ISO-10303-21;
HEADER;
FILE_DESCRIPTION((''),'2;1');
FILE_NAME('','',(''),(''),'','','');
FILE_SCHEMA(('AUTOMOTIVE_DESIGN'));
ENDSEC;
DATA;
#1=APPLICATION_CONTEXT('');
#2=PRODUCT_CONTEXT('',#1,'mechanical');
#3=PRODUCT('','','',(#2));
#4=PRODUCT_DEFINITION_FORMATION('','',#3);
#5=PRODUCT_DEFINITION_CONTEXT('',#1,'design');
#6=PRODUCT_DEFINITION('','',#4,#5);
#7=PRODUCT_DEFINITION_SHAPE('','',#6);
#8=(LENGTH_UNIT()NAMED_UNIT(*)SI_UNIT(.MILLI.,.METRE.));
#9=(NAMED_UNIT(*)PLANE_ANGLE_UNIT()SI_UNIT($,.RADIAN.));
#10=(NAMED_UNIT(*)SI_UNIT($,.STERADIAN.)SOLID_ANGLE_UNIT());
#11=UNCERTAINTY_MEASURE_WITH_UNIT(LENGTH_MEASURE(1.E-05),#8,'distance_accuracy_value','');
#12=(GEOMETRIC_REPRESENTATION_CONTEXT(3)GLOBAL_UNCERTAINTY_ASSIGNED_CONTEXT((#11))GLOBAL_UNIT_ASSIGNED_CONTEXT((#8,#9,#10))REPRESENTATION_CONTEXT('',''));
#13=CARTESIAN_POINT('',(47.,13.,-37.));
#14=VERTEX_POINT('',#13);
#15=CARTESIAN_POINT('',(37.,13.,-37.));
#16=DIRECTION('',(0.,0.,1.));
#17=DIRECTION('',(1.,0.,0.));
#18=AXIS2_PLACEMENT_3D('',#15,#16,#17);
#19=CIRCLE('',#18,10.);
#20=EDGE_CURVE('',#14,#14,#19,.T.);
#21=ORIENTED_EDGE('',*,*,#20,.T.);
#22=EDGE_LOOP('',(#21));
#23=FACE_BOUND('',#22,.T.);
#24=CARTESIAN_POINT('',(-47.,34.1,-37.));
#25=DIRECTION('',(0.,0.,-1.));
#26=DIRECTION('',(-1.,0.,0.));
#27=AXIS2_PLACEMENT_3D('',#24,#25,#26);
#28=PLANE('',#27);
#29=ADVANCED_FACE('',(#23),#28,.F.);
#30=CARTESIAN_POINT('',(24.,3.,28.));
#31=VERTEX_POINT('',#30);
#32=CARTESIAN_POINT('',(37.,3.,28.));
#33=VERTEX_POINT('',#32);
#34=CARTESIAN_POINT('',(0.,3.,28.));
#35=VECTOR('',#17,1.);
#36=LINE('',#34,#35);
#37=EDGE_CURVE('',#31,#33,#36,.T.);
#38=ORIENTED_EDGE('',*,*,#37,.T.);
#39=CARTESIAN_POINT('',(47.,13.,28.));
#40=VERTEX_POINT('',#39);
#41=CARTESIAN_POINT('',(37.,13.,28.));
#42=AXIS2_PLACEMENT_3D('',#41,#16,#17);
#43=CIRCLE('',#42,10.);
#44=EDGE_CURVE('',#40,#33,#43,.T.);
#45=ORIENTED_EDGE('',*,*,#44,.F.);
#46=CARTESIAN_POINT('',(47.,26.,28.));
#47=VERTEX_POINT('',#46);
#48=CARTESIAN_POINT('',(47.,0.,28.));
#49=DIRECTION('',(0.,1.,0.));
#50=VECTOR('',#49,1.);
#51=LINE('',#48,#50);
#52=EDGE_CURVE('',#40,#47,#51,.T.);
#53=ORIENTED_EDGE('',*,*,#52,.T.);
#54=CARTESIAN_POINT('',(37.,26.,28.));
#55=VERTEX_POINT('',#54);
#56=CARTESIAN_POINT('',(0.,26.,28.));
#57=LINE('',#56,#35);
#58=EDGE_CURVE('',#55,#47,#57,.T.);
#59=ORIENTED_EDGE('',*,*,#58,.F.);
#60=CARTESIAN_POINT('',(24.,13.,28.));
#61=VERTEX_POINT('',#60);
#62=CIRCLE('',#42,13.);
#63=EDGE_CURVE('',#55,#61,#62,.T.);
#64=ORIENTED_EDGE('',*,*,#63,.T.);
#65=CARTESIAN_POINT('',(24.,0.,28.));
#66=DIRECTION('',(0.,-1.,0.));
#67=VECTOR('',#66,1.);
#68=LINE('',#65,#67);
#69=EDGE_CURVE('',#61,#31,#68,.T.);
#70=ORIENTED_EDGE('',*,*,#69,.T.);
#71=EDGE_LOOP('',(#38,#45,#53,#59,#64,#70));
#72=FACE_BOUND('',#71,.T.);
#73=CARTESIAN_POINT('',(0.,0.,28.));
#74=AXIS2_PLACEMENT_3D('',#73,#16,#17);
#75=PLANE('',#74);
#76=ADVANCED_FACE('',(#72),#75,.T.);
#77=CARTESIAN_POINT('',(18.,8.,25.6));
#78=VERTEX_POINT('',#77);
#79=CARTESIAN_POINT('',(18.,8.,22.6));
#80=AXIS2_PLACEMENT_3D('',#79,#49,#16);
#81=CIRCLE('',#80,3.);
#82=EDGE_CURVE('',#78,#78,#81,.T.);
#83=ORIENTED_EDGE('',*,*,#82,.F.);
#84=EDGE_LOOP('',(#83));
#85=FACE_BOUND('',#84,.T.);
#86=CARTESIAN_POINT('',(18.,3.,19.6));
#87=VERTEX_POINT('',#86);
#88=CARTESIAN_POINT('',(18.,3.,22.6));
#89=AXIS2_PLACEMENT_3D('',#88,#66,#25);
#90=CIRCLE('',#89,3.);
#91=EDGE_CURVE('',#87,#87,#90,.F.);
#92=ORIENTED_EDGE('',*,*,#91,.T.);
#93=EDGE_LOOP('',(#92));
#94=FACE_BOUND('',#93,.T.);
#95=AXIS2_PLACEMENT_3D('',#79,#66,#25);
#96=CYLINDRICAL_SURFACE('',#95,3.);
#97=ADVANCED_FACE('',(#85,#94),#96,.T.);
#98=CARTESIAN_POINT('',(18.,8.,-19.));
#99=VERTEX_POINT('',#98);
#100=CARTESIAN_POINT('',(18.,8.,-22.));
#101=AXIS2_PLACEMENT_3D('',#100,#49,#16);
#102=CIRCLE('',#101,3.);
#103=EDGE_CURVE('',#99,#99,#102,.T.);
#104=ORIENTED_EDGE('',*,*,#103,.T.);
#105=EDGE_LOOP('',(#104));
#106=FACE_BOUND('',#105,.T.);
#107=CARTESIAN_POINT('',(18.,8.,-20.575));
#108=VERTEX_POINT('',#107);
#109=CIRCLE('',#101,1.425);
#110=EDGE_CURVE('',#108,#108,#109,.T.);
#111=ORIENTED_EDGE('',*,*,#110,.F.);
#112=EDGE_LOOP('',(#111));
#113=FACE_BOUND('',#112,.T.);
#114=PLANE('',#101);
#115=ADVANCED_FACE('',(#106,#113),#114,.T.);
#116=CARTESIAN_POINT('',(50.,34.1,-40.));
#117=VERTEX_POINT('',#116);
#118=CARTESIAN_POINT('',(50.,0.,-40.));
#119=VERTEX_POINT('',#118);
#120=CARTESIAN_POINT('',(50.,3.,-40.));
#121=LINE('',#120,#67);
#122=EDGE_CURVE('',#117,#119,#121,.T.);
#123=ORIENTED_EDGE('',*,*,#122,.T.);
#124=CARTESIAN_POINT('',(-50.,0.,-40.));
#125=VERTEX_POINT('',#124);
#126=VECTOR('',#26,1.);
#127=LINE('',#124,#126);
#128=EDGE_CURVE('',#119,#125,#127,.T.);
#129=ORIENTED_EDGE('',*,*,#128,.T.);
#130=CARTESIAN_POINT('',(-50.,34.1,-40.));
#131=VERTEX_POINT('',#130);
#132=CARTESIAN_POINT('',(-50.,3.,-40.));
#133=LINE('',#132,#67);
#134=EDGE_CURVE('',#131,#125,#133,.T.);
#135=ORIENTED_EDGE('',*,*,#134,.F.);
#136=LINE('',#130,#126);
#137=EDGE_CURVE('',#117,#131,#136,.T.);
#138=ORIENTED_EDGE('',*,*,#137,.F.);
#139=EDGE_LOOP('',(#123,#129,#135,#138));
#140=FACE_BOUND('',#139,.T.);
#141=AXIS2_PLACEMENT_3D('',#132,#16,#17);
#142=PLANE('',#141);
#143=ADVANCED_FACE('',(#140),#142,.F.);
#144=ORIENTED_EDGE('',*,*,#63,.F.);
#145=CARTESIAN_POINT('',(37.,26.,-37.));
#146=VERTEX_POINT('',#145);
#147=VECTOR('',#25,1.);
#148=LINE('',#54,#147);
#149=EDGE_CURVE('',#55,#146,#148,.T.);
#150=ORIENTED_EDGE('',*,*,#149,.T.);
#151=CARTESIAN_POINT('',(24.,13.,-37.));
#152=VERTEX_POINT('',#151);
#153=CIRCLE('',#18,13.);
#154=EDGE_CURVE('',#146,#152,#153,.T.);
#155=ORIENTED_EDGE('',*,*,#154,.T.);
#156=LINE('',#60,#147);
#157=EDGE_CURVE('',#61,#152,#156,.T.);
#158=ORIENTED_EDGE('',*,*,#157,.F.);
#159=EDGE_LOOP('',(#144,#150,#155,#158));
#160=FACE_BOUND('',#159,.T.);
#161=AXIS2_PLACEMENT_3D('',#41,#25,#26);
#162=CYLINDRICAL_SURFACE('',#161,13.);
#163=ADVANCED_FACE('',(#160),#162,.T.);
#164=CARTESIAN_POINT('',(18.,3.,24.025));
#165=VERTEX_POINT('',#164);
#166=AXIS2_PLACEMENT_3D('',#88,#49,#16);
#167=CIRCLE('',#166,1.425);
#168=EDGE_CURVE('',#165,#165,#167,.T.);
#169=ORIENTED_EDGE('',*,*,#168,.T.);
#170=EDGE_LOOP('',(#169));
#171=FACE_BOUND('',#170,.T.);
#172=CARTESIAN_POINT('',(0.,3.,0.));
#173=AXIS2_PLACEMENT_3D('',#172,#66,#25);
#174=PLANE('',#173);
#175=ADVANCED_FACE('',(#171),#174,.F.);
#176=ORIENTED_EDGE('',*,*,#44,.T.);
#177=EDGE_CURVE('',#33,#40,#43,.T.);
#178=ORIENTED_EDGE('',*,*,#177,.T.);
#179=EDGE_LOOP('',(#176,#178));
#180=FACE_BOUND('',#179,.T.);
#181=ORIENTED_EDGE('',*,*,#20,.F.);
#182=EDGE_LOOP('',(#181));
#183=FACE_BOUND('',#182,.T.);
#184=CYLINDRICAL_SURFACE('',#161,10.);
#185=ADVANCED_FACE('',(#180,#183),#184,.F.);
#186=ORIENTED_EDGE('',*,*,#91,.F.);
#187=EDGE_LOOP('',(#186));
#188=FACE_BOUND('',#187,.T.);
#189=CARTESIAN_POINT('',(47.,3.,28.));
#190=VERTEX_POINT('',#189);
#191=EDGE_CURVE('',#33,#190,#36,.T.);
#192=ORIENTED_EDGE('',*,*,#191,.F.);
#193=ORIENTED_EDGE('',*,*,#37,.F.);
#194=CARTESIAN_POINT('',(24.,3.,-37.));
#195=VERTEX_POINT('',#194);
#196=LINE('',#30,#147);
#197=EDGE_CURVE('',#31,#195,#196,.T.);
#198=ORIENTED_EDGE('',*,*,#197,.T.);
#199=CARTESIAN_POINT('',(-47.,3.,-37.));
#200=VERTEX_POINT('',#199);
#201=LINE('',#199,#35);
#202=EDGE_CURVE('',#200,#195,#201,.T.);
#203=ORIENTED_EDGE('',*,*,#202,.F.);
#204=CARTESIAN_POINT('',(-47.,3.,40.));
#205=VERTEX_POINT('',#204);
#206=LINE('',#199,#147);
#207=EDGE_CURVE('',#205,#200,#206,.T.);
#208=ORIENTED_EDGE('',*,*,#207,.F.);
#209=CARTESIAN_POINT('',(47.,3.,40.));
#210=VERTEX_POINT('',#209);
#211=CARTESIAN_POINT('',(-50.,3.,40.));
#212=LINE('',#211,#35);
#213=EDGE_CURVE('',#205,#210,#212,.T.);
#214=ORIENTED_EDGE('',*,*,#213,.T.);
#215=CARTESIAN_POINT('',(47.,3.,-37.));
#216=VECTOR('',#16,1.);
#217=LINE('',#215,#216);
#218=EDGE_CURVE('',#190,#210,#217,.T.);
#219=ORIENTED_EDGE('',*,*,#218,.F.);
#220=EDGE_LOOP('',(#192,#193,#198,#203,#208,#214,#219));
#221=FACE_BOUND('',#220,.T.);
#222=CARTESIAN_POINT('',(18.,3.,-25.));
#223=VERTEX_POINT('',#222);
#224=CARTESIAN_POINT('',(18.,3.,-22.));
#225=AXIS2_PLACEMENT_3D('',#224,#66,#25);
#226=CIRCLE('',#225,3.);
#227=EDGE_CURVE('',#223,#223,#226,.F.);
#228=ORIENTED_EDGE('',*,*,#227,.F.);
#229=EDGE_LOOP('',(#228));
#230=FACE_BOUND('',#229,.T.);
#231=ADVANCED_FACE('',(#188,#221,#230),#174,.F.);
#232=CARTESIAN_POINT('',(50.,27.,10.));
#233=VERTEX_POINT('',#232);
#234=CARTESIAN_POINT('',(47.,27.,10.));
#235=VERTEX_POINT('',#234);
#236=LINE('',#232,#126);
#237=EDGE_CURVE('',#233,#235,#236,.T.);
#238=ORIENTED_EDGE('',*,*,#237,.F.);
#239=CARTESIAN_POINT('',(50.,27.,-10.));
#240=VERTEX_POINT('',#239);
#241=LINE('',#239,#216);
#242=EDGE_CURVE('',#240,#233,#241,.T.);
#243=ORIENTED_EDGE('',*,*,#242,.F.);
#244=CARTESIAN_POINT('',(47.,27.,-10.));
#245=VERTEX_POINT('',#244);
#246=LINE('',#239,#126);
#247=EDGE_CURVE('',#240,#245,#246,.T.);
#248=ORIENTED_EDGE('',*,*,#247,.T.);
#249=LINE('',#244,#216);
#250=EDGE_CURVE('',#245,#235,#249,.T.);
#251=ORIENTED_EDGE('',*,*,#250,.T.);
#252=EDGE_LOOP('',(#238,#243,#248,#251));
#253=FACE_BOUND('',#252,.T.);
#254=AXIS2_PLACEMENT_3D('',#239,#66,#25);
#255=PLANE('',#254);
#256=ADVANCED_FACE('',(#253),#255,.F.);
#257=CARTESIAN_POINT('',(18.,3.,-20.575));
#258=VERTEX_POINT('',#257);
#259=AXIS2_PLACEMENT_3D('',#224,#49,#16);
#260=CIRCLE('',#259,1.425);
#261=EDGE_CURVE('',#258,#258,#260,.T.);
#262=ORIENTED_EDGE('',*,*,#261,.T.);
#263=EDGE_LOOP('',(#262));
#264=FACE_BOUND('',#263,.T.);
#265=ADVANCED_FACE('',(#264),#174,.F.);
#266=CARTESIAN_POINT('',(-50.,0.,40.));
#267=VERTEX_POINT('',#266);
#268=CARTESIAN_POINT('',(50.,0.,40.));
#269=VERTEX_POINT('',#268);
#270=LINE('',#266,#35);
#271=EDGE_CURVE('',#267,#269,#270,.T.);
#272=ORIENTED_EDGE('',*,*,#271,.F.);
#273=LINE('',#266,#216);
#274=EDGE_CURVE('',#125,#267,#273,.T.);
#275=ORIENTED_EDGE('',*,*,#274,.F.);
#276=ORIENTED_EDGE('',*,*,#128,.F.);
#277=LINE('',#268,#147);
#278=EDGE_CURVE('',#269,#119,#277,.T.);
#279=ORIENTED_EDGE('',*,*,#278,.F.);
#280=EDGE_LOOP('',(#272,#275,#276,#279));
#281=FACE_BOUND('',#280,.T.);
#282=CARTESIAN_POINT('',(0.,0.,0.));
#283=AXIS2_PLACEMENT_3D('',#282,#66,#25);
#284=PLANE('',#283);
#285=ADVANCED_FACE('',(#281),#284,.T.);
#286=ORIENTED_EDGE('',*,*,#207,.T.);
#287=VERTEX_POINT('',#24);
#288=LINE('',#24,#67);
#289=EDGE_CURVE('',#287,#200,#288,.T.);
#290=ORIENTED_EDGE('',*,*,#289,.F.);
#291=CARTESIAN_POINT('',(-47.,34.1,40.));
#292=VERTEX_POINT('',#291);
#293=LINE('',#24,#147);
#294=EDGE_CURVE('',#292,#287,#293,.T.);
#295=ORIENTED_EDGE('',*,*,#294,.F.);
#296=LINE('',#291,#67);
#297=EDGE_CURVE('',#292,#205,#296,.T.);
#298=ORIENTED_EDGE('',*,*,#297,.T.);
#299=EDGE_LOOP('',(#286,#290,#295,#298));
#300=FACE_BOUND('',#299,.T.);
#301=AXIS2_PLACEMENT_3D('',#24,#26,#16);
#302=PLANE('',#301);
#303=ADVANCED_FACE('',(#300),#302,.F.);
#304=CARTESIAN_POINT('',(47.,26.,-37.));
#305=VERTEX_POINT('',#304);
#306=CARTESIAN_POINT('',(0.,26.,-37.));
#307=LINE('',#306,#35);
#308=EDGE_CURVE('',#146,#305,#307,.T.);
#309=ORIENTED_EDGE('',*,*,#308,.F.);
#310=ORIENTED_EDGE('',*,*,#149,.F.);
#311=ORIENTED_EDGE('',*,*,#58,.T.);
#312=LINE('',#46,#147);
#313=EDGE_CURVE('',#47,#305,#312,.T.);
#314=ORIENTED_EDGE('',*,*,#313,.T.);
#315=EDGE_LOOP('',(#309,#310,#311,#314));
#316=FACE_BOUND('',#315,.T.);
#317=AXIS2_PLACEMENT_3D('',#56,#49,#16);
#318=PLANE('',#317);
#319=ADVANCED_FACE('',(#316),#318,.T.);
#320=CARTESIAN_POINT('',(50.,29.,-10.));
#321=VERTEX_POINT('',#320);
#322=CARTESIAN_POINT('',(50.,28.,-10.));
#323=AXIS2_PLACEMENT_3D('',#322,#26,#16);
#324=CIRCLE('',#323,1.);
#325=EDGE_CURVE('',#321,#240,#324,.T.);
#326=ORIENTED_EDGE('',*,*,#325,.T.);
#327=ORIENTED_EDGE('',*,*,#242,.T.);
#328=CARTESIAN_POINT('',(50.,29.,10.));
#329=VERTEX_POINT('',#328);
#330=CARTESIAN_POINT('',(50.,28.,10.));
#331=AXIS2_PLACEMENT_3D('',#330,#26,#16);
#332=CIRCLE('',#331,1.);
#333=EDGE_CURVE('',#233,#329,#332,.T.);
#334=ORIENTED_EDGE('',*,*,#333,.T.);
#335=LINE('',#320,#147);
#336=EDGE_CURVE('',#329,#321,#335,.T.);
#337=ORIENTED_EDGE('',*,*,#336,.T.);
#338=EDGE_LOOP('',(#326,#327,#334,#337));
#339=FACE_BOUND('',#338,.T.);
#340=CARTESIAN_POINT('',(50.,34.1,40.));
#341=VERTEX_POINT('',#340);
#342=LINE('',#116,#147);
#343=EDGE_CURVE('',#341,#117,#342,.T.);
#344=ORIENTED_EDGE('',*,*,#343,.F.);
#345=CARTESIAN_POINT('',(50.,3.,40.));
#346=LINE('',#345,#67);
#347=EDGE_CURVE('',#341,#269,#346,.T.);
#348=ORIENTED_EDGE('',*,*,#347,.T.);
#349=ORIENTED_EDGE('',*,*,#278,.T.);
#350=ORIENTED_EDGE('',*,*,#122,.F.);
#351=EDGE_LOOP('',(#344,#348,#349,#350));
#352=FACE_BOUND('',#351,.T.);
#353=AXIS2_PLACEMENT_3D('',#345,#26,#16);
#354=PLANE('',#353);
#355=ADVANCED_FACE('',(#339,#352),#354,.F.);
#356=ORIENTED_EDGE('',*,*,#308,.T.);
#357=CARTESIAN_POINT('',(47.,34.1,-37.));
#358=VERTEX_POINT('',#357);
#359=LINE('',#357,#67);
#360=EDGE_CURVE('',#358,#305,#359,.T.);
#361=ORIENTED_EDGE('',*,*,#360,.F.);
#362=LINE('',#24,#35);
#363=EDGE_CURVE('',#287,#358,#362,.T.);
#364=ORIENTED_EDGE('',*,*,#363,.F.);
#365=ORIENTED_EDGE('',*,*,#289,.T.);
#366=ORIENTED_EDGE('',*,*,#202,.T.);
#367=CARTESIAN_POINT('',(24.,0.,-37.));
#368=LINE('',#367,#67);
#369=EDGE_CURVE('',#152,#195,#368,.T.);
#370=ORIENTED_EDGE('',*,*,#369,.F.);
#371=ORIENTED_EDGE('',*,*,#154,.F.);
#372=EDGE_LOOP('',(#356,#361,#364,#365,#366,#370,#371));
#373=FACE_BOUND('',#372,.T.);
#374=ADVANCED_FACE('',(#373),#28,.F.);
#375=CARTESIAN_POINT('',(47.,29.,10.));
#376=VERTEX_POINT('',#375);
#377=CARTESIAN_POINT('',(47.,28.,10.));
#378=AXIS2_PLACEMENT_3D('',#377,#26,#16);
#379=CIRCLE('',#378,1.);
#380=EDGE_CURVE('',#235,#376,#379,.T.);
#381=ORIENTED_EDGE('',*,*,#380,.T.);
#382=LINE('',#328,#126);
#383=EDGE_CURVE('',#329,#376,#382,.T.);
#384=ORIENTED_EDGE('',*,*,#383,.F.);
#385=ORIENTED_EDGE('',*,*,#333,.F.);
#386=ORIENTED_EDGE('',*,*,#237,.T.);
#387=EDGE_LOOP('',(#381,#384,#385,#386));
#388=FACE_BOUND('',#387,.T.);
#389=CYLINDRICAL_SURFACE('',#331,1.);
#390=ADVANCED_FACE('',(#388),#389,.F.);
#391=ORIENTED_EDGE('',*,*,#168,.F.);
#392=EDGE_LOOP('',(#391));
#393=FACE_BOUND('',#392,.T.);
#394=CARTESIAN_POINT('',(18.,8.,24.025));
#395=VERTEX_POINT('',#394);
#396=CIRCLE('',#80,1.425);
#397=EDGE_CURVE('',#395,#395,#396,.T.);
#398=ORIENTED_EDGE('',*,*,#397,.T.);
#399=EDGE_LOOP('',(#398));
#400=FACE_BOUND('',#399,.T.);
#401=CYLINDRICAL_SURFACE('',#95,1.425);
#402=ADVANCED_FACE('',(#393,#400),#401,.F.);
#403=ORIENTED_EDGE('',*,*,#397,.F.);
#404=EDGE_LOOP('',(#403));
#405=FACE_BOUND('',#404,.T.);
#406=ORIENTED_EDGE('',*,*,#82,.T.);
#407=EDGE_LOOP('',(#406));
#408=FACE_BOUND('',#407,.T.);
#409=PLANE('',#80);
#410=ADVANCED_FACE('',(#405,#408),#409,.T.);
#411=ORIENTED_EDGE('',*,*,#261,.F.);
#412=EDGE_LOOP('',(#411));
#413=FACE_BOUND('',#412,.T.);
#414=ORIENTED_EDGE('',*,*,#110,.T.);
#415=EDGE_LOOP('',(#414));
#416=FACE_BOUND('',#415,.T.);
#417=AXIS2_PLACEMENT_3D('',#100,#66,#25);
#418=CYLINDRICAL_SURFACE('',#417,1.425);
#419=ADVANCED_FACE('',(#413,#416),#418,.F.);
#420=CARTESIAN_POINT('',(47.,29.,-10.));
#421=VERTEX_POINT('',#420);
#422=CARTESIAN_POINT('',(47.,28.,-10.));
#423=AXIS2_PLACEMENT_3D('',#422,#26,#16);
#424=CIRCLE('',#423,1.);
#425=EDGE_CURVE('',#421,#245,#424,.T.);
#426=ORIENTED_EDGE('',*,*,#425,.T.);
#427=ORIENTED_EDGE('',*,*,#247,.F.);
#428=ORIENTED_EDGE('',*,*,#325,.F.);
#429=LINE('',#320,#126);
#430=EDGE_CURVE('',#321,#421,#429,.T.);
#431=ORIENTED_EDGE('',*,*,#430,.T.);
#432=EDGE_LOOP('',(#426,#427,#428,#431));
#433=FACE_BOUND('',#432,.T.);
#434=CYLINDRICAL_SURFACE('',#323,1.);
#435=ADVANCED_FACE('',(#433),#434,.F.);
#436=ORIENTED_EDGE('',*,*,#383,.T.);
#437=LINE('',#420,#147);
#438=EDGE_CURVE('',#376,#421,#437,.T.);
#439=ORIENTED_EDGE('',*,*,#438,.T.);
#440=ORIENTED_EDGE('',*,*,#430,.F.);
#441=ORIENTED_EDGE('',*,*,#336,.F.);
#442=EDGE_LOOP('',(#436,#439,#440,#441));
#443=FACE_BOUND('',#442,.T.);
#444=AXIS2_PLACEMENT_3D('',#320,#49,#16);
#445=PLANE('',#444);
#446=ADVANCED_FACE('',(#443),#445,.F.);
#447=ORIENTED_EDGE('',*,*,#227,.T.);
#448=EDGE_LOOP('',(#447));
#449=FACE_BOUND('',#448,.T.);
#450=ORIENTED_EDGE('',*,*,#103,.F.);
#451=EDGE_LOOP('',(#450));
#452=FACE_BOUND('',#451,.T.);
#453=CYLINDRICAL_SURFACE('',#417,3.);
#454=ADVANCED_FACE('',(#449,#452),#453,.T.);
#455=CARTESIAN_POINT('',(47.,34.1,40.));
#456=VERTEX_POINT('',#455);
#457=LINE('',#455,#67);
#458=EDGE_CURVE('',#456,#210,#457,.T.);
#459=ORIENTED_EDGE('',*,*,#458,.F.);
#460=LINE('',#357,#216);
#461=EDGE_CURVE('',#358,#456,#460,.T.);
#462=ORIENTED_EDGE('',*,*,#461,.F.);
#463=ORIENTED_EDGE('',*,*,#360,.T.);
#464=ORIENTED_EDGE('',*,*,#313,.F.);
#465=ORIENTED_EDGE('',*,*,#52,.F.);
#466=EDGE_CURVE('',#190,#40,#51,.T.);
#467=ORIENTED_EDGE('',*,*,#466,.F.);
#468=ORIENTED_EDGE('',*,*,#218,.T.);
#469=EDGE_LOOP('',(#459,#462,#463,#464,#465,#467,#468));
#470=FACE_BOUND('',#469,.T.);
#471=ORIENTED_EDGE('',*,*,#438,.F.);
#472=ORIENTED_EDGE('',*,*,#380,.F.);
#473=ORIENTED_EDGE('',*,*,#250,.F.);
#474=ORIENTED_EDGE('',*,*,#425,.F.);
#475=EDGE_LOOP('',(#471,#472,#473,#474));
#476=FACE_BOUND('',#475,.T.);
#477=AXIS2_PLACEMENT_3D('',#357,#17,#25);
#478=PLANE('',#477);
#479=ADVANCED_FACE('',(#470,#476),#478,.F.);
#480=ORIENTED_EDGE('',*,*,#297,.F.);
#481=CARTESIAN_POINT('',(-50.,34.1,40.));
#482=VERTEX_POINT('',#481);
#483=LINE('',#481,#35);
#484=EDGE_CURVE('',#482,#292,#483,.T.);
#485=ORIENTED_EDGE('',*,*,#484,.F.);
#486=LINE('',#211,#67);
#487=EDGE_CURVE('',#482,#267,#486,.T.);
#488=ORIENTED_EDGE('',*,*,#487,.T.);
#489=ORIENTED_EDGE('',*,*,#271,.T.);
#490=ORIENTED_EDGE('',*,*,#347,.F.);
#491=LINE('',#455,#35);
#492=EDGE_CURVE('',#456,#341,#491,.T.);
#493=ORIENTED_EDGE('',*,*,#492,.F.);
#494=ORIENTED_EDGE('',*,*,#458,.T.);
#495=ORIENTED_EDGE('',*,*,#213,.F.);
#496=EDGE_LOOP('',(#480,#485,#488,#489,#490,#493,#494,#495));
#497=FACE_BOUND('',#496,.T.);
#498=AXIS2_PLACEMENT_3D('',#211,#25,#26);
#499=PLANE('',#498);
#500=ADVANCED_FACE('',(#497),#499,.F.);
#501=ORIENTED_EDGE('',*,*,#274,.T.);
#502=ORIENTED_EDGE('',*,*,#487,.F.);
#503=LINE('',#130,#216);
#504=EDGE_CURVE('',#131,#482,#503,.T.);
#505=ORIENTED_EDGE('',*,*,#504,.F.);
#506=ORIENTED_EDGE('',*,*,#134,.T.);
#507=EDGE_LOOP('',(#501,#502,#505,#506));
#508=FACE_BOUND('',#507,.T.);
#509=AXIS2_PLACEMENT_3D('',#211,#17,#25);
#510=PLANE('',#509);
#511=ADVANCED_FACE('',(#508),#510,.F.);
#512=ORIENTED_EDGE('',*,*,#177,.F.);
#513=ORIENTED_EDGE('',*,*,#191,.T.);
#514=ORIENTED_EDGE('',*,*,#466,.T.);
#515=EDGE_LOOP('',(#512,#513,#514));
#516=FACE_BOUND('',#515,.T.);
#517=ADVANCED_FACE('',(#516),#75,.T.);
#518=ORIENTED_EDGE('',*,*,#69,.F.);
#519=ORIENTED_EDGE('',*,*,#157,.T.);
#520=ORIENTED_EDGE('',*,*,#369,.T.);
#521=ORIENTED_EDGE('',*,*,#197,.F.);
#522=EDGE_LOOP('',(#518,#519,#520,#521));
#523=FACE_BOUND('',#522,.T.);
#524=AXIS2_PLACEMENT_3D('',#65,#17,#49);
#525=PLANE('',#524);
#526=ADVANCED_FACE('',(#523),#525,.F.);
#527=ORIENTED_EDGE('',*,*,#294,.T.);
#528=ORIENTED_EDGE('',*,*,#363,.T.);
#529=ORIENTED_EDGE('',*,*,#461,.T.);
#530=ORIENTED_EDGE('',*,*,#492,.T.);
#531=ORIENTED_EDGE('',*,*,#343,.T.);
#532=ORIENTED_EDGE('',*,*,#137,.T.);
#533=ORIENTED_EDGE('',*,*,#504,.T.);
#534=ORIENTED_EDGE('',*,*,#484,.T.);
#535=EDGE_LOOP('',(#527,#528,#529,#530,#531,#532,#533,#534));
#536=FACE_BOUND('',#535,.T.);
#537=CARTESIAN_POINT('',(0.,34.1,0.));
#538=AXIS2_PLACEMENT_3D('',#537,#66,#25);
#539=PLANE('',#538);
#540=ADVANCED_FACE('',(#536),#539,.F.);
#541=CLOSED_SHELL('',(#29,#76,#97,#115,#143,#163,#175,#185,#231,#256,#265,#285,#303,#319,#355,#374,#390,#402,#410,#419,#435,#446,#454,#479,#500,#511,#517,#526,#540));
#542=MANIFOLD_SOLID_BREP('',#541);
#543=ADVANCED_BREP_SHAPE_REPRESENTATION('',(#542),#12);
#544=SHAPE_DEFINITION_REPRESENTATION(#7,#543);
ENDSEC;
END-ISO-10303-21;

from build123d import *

# Parameters (mm, degrees)
SKETCH1_W           = 100
SKETCH1_H           = 80
BOSS_EXTRUDE1_DEPTH = 3
BOSS_EXTRUDE2_DEPTH = 31.1
BOSS_EXTRUDE3_DEPTH = 65
SKETCH4_R           = 3
SKETCH4_R_2         = 1.425
BOSS_EXTRUDE4_DEPTH = 5
LPATTERN1_COUNT     = 2
LPATTERN1_PITCH     = 44.6
CUT_EXTRUDE1_DEPTH  = 111.325926237


with BuildPart() as part:
    # Sketch1 → Boss-Extrude1 (new body)
    with BuildSketch(Plane(origin=(0, 0, 0), x_dir=(1, 0, 0), z_dir=(0, 1, 0))):
        Rectangle(SKETCH1_W, SKETCH1_H)
    extrude(amount=BOSS_EXTRUDE1_DEPTH)

    # Sketch2 → Boss-Extrude2 (add)
    with BuildSketch(Plane(origin=(0, 3, 0), x_dir=(1, 0, 0), z_dir=(0, 1, 0))):
        Polygon((-50, 40), (50, 40), (50, -40), (47, -40), (47, 37), (-47, 37), (-47, -40), (-50, -40), align=None)
    extrude(amount=BOSS_EXTRUDE2_DEPTH)

    # Sketch3 → Boss-Extrude3 (add)
    with BuildSketch(Plane.XY.offset(-37)):
        with BuildLine():
            Line((47, 26), (37, 26))
            ThreePointArc((37, 26), (27.807611845, 22.192388155), (24, 13))
            Line((24, 13), (24, 3))
            Line((24, 3), (37, 3))
            ThreePointArc((37, 3), (29.928932188, 20.071067812), (47, 13))
            Line((47, 13), (47, 26))
        make_face()
        with BuildLine():
            Line((47, 3), (47, 13))
            ThreePointArc((47, 13), (44.071067812, 5.928932188), (37, 3))
            Line((37, 3), (47, 3))
        make_face()
    extrude(amount=BOSS_EXTRUDE3_DEPTH)

    # Sketch4 → Boss-Extrude4 (add)
    with BuildSketch(Plane(origin=(0, 3, 0), x_dir=(1, 0, 0), z_dir=(0, 1, 0))):
        with Locations(Location((18, 22, 0), (0, 0, 90))):
            Circle(SKETCH4_R)
        with Locations(Location((18, 22, 0), (0, 0, 270))):
            Circle(SKETCH4_R_2, mode=Mode.SUBTRACT)
    boss_extrude4 = extrude(amount=BOSS_EXTRUDE4_DEPTH)

    # LPattern1: Boss-Extrude4 ×2
    with Locations(*[(0, 0, i * LPATTERN1_PITCH) for i in range(1, LPATTERN1_COUNT)]):
        add(boss_extrude4)

    # Sketch10 → Cut-Extrude1 (cut, through all)
    with BuildSketch(Plane.ZY.offset(-47)):
        with BuildLine():
            Line((-10, 29), (10, 29))
            ThreePointArc((10, 29), (11, 28), (10, 27))
            Line((10, 27), (-10, 27))
            ThreePointArc((-10, 27), (-11, 28), (-10, 29))
        make_face()
    extrude(amount=-CUT_EXTRUDE1_DEPTH, mode=Mode.SUBTRACT)


solid = part.part
